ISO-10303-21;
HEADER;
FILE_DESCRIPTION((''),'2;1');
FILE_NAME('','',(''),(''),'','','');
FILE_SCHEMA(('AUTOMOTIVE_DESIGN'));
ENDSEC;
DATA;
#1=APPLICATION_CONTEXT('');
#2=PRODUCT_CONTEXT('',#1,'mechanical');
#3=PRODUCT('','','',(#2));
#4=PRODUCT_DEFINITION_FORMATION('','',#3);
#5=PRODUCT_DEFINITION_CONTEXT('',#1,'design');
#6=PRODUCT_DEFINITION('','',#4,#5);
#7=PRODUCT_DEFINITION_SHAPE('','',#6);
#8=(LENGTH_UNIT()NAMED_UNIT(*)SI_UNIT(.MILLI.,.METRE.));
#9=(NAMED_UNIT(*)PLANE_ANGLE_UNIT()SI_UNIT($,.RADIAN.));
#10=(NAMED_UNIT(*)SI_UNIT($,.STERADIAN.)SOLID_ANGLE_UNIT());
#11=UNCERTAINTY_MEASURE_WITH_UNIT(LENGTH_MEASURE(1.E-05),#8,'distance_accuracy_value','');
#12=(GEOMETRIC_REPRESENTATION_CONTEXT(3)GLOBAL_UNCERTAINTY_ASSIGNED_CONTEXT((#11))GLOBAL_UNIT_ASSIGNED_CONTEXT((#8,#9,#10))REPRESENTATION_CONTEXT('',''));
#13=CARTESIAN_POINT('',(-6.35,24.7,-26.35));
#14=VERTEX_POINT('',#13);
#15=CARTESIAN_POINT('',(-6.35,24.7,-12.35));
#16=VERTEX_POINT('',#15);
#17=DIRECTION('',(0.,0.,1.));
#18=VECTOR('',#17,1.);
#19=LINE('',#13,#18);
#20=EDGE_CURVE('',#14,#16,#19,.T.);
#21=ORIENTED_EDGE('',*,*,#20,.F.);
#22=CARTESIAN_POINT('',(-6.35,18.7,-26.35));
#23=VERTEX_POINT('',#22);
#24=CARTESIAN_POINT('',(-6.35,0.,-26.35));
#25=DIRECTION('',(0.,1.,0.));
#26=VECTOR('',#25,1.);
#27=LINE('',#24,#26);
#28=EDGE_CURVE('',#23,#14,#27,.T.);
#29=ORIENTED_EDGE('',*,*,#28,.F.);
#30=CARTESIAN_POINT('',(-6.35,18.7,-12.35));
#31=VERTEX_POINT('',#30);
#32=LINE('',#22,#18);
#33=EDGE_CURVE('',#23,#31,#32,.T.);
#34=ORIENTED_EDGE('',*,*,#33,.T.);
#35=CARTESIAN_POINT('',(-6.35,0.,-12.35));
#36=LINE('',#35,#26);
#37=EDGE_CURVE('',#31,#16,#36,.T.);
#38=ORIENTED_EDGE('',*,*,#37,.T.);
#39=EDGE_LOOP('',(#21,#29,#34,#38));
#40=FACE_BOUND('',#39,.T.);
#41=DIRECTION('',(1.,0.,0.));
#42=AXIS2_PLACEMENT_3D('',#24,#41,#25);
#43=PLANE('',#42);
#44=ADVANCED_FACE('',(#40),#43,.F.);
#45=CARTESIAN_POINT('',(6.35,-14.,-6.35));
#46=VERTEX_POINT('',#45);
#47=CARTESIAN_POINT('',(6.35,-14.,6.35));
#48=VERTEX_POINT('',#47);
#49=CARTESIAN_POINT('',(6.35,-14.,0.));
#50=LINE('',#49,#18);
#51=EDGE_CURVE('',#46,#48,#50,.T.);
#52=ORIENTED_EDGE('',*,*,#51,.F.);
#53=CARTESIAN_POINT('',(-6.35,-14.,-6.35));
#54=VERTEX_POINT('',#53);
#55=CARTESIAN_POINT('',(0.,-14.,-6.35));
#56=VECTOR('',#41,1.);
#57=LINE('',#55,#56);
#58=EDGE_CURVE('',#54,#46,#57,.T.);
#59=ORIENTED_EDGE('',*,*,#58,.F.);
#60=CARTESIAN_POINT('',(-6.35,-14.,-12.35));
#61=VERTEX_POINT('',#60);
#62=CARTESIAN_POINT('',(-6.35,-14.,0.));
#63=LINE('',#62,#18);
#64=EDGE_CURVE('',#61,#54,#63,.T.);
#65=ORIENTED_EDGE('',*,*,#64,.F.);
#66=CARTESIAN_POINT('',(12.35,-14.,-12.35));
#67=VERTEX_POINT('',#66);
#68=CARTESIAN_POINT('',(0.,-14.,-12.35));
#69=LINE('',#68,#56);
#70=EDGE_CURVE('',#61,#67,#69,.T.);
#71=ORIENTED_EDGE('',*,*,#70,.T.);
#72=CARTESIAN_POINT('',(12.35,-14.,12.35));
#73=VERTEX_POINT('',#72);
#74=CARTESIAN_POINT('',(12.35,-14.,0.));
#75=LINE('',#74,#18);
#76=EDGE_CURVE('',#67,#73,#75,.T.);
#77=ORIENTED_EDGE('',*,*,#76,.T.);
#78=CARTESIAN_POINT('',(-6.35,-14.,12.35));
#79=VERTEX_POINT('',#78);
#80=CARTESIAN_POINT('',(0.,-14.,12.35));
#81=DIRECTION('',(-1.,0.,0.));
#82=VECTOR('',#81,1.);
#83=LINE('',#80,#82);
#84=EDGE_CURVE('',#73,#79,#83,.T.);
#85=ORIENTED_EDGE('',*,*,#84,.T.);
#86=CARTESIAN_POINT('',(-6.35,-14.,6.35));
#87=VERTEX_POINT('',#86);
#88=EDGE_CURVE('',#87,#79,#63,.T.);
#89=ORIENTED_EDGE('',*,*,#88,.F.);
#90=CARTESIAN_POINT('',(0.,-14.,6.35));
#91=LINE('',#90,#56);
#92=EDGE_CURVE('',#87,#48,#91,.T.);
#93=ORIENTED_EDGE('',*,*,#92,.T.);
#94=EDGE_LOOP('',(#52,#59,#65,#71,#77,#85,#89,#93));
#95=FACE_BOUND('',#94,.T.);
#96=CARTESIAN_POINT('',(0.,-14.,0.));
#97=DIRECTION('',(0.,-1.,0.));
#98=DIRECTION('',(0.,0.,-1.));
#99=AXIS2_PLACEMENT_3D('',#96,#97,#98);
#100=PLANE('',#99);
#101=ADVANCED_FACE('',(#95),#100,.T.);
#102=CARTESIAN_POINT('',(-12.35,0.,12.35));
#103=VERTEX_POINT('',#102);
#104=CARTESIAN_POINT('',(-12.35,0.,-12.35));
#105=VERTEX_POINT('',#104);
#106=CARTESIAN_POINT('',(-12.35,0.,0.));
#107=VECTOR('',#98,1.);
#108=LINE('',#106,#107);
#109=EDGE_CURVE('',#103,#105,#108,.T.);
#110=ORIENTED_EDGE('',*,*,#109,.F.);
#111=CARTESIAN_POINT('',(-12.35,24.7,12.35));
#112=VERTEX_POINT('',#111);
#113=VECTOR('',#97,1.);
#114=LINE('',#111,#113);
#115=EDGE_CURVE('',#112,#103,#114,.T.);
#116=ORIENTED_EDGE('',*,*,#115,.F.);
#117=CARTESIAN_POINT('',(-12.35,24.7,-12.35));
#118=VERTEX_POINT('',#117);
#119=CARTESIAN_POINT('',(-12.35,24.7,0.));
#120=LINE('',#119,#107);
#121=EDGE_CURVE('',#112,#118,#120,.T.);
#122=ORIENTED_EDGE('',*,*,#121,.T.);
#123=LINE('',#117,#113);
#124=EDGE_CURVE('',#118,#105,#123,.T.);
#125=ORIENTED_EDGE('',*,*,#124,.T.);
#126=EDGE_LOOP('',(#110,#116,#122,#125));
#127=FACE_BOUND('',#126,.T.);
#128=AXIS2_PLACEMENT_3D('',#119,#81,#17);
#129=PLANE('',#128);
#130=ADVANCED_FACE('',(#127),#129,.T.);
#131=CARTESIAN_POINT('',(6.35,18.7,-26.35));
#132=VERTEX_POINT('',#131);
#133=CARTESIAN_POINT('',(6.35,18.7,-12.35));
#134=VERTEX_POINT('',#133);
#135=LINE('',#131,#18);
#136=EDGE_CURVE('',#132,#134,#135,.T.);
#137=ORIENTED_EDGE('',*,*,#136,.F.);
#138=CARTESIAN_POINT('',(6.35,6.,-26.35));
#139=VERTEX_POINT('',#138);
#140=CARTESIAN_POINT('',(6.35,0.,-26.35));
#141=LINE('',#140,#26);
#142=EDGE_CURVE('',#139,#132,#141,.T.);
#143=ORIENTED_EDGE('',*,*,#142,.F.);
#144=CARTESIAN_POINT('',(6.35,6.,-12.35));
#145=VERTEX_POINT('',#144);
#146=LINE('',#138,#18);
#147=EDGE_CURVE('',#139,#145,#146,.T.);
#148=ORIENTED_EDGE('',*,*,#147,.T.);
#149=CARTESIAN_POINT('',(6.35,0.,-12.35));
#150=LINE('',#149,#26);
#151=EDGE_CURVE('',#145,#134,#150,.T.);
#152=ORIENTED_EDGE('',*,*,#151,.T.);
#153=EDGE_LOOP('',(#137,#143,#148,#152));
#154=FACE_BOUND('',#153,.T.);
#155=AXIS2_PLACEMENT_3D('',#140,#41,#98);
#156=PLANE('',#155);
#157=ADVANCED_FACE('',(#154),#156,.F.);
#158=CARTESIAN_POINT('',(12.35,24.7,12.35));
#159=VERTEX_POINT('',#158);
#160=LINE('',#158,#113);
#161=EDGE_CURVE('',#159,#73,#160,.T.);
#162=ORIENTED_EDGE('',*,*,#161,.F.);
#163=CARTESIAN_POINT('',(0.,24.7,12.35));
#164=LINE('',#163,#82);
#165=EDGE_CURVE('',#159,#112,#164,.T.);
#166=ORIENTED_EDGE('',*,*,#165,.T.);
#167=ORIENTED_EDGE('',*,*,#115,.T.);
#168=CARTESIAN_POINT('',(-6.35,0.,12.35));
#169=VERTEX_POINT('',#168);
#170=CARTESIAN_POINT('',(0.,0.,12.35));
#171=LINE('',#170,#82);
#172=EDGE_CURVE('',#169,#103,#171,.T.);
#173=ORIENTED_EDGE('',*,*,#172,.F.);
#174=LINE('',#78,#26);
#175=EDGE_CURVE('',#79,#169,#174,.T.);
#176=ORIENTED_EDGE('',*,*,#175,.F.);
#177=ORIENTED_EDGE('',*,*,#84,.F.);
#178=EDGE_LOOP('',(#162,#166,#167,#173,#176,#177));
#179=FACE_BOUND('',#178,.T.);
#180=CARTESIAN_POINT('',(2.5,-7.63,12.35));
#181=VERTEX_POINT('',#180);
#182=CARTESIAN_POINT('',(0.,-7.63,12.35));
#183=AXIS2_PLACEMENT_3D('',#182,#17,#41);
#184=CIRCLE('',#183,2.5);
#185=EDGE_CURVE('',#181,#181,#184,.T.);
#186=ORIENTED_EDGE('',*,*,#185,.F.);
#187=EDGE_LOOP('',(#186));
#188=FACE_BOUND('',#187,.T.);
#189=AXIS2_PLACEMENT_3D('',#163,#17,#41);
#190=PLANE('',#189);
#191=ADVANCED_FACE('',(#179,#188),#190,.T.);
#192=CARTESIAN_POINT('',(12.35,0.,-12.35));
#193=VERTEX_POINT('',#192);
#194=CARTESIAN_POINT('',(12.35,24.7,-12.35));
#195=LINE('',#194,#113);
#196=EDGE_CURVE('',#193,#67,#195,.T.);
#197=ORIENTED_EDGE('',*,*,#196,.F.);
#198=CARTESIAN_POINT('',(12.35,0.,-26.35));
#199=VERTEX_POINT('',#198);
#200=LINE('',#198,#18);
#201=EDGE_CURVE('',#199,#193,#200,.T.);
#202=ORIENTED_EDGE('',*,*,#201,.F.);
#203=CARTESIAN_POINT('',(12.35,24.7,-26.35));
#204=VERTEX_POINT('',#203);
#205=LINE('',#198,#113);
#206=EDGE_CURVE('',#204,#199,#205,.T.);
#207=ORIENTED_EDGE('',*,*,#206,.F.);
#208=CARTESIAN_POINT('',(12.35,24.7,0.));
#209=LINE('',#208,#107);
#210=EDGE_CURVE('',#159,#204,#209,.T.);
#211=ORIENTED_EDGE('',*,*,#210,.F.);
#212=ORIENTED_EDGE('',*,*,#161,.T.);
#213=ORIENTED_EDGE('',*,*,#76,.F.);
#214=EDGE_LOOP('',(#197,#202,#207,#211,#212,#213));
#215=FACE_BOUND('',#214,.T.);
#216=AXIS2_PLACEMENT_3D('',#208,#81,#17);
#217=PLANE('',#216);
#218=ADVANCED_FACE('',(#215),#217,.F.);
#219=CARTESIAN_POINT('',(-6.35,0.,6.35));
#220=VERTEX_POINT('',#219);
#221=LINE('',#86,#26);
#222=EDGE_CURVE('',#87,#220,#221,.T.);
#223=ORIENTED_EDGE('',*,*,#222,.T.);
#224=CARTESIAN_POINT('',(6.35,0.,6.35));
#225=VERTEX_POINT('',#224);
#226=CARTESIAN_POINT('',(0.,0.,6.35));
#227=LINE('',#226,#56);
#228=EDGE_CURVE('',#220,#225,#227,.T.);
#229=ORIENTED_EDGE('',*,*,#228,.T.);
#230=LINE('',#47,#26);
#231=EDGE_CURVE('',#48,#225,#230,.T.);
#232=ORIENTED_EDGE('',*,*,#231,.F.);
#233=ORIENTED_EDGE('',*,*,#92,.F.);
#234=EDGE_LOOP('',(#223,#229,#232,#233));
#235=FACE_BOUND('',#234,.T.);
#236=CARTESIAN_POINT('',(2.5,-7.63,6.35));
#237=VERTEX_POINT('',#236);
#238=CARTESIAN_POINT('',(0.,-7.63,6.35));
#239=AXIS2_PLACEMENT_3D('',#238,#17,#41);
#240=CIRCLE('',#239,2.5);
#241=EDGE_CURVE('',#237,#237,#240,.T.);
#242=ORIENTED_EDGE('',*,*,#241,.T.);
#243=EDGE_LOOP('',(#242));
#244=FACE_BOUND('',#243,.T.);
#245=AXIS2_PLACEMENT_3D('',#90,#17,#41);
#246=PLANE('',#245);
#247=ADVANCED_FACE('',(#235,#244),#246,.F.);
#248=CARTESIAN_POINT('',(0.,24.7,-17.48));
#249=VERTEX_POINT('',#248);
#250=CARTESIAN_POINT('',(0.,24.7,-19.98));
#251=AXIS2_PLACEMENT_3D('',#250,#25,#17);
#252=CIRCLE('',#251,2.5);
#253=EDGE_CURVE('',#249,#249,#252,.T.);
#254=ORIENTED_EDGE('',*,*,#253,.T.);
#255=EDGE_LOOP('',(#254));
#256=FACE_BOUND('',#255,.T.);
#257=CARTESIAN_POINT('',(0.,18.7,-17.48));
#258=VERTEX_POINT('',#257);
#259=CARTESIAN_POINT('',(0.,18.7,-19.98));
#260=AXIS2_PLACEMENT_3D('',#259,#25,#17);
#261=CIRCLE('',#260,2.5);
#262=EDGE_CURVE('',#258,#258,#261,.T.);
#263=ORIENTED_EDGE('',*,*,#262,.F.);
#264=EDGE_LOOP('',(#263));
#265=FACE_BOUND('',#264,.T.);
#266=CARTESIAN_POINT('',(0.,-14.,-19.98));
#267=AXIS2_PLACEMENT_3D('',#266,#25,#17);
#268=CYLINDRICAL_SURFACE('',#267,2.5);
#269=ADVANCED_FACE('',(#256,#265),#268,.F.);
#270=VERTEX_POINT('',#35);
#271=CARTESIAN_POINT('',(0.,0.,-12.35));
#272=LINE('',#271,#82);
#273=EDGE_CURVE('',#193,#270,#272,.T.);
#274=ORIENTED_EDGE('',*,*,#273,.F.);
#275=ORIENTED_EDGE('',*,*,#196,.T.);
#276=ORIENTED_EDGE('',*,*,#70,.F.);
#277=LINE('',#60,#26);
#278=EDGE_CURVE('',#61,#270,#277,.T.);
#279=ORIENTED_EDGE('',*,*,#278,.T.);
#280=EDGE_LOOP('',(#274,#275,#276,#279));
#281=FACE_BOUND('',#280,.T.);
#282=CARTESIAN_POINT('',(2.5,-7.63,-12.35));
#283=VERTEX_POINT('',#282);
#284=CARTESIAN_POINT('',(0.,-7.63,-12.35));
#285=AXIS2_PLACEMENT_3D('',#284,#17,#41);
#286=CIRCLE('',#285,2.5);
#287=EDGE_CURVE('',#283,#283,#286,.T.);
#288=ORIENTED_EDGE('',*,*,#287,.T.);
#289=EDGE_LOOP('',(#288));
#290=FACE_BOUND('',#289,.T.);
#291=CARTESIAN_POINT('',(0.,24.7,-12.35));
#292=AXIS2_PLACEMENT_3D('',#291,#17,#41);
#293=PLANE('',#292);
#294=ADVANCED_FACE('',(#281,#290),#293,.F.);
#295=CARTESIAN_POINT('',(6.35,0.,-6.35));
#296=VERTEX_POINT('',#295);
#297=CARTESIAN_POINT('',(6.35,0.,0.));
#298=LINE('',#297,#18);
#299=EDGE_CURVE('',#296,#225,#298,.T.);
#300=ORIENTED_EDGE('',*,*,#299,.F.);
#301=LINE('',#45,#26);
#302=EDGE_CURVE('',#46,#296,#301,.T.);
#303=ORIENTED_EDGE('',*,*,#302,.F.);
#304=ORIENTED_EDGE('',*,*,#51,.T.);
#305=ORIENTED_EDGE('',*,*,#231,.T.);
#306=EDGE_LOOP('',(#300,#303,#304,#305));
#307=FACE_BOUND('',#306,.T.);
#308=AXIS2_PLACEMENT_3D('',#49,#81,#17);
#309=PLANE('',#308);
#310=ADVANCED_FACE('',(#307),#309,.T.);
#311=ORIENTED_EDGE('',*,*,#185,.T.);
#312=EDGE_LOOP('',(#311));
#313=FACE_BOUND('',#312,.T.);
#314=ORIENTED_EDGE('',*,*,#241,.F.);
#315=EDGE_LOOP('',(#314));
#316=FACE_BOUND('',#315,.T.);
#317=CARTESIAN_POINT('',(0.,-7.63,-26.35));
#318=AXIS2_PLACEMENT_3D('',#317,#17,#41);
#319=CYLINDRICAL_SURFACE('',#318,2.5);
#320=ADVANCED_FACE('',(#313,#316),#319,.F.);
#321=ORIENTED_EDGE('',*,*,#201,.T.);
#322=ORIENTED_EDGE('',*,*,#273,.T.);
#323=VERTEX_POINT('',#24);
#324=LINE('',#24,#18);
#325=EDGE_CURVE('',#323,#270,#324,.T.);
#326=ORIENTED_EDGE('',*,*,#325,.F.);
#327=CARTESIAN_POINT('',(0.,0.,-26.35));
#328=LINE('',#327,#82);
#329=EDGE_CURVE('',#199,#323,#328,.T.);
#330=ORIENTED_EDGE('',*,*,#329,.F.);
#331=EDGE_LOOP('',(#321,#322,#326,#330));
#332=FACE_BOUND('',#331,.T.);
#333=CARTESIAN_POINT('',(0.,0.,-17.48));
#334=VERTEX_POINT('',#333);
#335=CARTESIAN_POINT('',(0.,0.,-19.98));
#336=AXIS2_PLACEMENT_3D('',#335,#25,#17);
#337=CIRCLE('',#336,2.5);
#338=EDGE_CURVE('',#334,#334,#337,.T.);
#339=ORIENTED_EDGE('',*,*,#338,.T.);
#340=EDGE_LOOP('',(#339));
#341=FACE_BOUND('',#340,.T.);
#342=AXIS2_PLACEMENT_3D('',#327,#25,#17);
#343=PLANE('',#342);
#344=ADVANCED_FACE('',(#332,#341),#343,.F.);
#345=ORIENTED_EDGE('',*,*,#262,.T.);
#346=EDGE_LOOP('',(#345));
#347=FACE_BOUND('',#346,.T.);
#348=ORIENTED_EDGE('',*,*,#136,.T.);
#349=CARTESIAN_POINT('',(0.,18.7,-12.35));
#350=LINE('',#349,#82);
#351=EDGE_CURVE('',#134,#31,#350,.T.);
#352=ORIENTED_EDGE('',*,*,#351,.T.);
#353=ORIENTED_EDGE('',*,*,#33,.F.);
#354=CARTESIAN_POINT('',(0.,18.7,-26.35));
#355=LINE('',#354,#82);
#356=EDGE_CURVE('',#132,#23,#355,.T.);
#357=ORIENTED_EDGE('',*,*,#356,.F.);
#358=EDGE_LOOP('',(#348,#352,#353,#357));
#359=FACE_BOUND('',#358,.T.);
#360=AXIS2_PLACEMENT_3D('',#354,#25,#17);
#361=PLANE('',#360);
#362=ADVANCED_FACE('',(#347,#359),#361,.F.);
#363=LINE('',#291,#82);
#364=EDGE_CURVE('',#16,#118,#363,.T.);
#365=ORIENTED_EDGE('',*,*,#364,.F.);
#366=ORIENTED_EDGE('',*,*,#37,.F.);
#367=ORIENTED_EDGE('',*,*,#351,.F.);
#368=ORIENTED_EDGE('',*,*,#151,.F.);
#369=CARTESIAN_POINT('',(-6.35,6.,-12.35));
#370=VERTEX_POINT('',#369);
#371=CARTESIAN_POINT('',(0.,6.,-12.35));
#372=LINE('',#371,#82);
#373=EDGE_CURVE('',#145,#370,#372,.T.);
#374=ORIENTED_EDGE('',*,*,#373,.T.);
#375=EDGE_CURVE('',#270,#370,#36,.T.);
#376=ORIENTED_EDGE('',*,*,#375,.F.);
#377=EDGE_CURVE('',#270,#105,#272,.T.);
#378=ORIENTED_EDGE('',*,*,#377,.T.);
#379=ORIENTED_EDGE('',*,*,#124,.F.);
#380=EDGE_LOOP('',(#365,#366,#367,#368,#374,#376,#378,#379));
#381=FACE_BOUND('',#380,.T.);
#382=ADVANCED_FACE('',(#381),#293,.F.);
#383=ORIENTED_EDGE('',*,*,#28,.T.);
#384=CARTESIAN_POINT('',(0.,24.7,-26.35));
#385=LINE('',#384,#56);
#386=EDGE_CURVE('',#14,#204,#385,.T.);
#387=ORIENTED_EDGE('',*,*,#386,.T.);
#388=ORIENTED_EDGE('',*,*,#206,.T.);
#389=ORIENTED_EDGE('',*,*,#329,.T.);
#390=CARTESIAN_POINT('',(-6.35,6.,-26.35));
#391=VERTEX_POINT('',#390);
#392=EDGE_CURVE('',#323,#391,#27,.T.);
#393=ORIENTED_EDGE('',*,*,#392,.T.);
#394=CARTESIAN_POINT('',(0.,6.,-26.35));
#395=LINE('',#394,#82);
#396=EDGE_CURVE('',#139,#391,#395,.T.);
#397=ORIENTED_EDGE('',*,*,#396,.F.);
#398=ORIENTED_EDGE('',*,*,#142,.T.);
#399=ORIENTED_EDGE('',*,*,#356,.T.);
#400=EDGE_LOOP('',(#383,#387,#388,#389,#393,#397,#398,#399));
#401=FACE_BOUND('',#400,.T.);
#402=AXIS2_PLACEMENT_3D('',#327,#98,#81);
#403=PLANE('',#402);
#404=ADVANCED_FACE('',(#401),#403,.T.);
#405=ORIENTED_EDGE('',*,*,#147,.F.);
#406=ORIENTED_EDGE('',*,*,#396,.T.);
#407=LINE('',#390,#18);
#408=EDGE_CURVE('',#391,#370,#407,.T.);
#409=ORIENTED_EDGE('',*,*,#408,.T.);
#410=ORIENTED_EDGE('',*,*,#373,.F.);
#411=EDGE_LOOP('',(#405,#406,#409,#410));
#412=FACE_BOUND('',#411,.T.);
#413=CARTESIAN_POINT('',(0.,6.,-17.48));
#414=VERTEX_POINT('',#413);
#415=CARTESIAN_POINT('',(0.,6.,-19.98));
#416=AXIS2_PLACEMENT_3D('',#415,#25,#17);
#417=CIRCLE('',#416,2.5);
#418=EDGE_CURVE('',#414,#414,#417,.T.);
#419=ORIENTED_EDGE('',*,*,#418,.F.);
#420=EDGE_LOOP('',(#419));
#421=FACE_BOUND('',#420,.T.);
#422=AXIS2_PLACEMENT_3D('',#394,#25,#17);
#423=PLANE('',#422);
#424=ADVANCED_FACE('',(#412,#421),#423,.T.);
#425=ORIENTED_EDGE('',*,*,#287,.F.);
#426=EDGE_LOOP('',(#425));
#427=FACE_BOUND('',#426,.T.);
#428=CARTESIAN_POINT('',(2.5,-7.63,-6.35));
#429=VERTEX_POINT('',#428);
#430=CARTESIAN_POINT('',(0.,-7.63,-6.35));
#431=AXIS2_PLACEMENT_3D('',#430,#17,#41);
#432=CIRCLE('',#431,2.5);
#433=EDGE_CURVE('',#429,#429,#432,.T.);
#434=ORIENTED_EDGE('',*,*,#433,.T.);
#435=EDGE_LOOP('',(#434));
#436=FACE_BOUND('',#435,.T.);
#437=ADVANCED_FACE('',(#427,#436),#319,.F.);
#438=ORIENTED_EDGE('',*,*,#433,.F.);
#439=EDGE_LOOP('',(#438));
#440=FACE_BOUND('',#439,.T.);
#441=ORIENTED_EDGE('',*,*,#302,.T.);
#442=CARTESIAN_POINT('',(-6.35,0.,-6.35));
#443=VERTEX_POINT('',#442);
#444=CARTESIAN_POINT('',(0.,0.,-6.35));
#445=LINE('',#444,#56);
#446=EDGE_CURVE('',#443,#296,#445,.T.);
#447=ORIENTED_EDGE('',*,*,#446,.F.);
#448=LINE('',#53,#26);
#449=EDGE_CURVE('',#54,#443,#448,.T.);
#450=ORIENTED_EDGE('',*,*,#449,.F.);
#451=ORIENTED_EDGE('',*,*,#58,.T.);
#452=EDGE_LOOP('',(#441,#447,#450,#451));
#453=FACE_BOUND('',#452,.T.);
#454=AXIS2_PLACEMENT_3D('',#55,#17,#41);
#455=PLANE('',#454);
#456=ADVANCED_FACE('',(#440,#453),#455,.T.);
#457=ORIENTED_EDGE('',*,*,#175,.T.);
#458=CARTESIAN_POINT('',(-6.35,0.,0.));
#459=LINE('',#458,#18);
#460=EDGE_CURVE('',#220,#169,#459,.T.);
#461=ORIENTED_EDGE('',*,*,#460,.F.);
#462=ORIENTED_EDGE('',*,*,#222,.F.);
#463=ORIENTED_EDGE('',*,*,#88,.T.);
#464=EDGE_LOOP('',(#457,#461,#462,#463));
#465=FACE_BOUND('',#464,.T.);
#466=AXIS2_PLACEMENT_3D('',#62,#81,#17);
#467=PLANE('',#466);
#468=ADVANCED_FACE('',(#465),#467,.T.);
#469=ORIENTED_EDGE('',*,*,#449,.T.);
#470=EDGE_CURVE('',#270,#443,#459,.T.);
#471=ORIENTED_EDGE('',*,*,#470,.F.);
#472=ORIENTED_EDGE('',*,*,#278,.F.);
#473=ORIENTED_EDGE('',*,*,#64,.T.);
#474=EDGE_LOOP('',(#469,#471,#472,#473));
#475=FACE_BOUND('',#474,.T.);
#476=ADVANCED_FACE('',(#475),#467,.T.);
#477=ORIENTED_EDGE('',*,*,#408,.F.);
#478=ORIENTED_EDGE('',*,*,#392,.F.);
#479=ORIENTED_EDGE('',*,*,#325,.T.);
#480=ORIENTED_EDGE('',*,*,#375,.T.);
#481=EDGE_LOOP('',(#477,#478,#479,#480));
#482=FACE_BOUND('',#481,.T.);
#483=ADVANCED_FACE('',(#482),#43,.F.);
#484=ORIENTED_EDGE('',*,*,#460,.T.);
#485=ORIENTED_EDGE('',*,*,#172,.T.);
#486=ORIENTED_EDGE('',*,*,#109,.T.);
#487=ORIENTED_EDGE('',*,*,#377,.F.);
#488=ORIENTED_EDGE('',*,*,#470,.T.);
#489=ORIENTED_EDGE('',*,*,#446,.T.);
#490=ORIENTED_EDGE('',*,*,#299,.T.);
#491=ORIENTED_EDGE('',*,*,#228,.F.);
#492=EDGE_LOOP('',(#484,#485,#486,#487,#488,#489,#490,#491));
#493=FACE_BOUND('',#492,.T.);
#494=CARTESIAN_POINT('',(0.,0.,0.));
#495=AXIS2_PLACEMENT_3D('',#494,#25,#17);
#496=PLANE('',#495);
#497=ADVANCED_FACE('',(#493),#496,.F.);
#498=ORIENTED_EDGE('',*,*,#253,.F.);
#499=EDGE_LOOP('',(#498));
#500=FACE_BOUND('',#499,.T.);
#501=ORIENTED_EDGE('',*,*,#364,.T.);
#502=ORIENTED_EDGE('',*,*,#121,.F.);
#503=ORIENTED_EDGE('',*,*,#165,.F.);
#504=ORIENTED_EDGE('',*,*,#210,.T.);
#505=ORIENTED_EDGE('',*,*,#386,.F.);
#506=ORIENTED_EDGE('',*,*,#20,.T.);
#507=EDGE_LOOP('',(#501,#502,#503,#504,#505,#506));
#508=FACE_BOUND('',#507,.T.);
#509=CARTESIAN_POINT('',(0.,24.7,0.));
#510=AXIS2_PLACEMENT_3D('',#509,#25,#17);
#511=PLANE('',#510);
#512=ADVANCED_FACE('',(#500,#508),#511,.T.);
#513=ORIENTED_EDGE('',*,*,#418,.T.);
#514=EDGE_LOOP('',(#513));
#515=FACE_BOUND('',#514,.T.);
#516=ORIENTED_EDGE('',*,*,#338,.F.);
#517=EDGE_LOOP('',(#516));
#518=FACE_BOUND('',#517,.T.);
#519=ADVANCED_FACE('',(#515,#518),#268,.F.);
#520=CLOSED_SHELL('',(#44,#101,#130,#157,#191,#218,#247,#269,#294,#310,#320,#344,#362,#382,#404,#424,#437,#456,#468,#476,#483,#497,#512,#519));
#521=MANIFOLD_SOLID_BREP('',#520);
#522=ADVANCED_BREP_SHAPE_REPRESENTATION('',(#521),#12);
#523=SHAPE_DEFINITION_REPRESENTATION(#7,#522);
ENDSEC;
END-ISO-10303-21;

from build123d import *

# Parameters (mm, degrees)
SKETCH_1_W          = 24.7
SKETCH_1_H          = 24.7
SKETCH_1_W_2        = 12.7
SKETCH_1_H_2        = 12.7
EXTRUDE_2_DEPTH     = 24.7
EXTRUDE_3_DEPTH     = 14
EXTRUDE_4_DEPTH     = 14
SKETCH_5_R          = 2.5
CUT_EXTRUDE_1_DEPTH = 49.420398594
SKETCH_6_R          = 2.5
CUT_EXTRUDE_2_DEPTH = 48.542638757


with BuildPart() as part:
    # 草图1 → 凸台-拉伸2 (new body)
    # profile 1 of 2: a face of its own
    with BuildSketch(Plane(origin=(0, 0, 0), x_dir=(1, 0, 0), z_dir=(0, 1, 0))):
        Rectangle(SKETCH_1_W, SKETCH_1_H)
        Rectangle(SKETCH_1_W_2, SKETCH_1_H_2, mode=Mode.SUBTRACT)
    # profile 2 of 2: a face of its own
    with BuildSketch(Plane(origin=(0, 0, 0), x_dir=(1, 0, 0), z_dir=(0, 1, 0))):
        Rectangle(SKETCH_1_W_2, SKETCH_1_H_2)
    extrude(amount=EXTRUDE_2_DEPTH)

    # 草图3 → 凸台-拉伸3 (add)
    with BuildSketch(Plane.XZ):
        Polygon((-6.35, 12.35), (-6.35, 6.35), (6.35, 6.35), (6.35, -6.35), (-6.35, -6.35), (-6.35, -12.35), (12.35, -12.35), (12.35, 12.35), align=None)
    extrude(amount=EXTRUDE_3_DEPTH)

    # 草图4 → 凸台-拉伸4 (add)
    with BuildSketch(Plane(origin=(0, 0, -12.35), x_dir=(-1, 0, 0), z_dir=(0, 0, -1))):
        Polygon((6.35, 6), (-6.35, 6), (-6.35, 18.7), (6.35, 18.7), (6.35, 24.7), (-12.35, 24.7), (-12.35, 0), (6.35, 0), align=None)
    extrude(amount=EXTRUDE_4_DEPTH)

    # 草图5 → 切除-拉伸1 (cut, through all)
    with BuildSketch(Plane(origin=(0, 24.7, 0), x_dir=(1, 0, 0), z_dir=(0, 1, 0))):
        with Locations(Location((0, 19.98, 0), (0, 0, 270))):
            Circle(SKETCH_5_R)
    extrude(amount=-CUT_EXTRUDE_1_DEPTH, mode=Mode.SUBTRACT)

    # 草图6 → 切除-拉伸2 (cut, through all)
    with BuildSketch(Plane.XY.offset(12.35)):
        with Locations((0, -7.63)):
            Circle(SKETCH_6_R)
    extrude(amount=-CUT_EXTRUDE_2_DEPTH, mode=Mode.SUBTRACT)


solid = part.part
